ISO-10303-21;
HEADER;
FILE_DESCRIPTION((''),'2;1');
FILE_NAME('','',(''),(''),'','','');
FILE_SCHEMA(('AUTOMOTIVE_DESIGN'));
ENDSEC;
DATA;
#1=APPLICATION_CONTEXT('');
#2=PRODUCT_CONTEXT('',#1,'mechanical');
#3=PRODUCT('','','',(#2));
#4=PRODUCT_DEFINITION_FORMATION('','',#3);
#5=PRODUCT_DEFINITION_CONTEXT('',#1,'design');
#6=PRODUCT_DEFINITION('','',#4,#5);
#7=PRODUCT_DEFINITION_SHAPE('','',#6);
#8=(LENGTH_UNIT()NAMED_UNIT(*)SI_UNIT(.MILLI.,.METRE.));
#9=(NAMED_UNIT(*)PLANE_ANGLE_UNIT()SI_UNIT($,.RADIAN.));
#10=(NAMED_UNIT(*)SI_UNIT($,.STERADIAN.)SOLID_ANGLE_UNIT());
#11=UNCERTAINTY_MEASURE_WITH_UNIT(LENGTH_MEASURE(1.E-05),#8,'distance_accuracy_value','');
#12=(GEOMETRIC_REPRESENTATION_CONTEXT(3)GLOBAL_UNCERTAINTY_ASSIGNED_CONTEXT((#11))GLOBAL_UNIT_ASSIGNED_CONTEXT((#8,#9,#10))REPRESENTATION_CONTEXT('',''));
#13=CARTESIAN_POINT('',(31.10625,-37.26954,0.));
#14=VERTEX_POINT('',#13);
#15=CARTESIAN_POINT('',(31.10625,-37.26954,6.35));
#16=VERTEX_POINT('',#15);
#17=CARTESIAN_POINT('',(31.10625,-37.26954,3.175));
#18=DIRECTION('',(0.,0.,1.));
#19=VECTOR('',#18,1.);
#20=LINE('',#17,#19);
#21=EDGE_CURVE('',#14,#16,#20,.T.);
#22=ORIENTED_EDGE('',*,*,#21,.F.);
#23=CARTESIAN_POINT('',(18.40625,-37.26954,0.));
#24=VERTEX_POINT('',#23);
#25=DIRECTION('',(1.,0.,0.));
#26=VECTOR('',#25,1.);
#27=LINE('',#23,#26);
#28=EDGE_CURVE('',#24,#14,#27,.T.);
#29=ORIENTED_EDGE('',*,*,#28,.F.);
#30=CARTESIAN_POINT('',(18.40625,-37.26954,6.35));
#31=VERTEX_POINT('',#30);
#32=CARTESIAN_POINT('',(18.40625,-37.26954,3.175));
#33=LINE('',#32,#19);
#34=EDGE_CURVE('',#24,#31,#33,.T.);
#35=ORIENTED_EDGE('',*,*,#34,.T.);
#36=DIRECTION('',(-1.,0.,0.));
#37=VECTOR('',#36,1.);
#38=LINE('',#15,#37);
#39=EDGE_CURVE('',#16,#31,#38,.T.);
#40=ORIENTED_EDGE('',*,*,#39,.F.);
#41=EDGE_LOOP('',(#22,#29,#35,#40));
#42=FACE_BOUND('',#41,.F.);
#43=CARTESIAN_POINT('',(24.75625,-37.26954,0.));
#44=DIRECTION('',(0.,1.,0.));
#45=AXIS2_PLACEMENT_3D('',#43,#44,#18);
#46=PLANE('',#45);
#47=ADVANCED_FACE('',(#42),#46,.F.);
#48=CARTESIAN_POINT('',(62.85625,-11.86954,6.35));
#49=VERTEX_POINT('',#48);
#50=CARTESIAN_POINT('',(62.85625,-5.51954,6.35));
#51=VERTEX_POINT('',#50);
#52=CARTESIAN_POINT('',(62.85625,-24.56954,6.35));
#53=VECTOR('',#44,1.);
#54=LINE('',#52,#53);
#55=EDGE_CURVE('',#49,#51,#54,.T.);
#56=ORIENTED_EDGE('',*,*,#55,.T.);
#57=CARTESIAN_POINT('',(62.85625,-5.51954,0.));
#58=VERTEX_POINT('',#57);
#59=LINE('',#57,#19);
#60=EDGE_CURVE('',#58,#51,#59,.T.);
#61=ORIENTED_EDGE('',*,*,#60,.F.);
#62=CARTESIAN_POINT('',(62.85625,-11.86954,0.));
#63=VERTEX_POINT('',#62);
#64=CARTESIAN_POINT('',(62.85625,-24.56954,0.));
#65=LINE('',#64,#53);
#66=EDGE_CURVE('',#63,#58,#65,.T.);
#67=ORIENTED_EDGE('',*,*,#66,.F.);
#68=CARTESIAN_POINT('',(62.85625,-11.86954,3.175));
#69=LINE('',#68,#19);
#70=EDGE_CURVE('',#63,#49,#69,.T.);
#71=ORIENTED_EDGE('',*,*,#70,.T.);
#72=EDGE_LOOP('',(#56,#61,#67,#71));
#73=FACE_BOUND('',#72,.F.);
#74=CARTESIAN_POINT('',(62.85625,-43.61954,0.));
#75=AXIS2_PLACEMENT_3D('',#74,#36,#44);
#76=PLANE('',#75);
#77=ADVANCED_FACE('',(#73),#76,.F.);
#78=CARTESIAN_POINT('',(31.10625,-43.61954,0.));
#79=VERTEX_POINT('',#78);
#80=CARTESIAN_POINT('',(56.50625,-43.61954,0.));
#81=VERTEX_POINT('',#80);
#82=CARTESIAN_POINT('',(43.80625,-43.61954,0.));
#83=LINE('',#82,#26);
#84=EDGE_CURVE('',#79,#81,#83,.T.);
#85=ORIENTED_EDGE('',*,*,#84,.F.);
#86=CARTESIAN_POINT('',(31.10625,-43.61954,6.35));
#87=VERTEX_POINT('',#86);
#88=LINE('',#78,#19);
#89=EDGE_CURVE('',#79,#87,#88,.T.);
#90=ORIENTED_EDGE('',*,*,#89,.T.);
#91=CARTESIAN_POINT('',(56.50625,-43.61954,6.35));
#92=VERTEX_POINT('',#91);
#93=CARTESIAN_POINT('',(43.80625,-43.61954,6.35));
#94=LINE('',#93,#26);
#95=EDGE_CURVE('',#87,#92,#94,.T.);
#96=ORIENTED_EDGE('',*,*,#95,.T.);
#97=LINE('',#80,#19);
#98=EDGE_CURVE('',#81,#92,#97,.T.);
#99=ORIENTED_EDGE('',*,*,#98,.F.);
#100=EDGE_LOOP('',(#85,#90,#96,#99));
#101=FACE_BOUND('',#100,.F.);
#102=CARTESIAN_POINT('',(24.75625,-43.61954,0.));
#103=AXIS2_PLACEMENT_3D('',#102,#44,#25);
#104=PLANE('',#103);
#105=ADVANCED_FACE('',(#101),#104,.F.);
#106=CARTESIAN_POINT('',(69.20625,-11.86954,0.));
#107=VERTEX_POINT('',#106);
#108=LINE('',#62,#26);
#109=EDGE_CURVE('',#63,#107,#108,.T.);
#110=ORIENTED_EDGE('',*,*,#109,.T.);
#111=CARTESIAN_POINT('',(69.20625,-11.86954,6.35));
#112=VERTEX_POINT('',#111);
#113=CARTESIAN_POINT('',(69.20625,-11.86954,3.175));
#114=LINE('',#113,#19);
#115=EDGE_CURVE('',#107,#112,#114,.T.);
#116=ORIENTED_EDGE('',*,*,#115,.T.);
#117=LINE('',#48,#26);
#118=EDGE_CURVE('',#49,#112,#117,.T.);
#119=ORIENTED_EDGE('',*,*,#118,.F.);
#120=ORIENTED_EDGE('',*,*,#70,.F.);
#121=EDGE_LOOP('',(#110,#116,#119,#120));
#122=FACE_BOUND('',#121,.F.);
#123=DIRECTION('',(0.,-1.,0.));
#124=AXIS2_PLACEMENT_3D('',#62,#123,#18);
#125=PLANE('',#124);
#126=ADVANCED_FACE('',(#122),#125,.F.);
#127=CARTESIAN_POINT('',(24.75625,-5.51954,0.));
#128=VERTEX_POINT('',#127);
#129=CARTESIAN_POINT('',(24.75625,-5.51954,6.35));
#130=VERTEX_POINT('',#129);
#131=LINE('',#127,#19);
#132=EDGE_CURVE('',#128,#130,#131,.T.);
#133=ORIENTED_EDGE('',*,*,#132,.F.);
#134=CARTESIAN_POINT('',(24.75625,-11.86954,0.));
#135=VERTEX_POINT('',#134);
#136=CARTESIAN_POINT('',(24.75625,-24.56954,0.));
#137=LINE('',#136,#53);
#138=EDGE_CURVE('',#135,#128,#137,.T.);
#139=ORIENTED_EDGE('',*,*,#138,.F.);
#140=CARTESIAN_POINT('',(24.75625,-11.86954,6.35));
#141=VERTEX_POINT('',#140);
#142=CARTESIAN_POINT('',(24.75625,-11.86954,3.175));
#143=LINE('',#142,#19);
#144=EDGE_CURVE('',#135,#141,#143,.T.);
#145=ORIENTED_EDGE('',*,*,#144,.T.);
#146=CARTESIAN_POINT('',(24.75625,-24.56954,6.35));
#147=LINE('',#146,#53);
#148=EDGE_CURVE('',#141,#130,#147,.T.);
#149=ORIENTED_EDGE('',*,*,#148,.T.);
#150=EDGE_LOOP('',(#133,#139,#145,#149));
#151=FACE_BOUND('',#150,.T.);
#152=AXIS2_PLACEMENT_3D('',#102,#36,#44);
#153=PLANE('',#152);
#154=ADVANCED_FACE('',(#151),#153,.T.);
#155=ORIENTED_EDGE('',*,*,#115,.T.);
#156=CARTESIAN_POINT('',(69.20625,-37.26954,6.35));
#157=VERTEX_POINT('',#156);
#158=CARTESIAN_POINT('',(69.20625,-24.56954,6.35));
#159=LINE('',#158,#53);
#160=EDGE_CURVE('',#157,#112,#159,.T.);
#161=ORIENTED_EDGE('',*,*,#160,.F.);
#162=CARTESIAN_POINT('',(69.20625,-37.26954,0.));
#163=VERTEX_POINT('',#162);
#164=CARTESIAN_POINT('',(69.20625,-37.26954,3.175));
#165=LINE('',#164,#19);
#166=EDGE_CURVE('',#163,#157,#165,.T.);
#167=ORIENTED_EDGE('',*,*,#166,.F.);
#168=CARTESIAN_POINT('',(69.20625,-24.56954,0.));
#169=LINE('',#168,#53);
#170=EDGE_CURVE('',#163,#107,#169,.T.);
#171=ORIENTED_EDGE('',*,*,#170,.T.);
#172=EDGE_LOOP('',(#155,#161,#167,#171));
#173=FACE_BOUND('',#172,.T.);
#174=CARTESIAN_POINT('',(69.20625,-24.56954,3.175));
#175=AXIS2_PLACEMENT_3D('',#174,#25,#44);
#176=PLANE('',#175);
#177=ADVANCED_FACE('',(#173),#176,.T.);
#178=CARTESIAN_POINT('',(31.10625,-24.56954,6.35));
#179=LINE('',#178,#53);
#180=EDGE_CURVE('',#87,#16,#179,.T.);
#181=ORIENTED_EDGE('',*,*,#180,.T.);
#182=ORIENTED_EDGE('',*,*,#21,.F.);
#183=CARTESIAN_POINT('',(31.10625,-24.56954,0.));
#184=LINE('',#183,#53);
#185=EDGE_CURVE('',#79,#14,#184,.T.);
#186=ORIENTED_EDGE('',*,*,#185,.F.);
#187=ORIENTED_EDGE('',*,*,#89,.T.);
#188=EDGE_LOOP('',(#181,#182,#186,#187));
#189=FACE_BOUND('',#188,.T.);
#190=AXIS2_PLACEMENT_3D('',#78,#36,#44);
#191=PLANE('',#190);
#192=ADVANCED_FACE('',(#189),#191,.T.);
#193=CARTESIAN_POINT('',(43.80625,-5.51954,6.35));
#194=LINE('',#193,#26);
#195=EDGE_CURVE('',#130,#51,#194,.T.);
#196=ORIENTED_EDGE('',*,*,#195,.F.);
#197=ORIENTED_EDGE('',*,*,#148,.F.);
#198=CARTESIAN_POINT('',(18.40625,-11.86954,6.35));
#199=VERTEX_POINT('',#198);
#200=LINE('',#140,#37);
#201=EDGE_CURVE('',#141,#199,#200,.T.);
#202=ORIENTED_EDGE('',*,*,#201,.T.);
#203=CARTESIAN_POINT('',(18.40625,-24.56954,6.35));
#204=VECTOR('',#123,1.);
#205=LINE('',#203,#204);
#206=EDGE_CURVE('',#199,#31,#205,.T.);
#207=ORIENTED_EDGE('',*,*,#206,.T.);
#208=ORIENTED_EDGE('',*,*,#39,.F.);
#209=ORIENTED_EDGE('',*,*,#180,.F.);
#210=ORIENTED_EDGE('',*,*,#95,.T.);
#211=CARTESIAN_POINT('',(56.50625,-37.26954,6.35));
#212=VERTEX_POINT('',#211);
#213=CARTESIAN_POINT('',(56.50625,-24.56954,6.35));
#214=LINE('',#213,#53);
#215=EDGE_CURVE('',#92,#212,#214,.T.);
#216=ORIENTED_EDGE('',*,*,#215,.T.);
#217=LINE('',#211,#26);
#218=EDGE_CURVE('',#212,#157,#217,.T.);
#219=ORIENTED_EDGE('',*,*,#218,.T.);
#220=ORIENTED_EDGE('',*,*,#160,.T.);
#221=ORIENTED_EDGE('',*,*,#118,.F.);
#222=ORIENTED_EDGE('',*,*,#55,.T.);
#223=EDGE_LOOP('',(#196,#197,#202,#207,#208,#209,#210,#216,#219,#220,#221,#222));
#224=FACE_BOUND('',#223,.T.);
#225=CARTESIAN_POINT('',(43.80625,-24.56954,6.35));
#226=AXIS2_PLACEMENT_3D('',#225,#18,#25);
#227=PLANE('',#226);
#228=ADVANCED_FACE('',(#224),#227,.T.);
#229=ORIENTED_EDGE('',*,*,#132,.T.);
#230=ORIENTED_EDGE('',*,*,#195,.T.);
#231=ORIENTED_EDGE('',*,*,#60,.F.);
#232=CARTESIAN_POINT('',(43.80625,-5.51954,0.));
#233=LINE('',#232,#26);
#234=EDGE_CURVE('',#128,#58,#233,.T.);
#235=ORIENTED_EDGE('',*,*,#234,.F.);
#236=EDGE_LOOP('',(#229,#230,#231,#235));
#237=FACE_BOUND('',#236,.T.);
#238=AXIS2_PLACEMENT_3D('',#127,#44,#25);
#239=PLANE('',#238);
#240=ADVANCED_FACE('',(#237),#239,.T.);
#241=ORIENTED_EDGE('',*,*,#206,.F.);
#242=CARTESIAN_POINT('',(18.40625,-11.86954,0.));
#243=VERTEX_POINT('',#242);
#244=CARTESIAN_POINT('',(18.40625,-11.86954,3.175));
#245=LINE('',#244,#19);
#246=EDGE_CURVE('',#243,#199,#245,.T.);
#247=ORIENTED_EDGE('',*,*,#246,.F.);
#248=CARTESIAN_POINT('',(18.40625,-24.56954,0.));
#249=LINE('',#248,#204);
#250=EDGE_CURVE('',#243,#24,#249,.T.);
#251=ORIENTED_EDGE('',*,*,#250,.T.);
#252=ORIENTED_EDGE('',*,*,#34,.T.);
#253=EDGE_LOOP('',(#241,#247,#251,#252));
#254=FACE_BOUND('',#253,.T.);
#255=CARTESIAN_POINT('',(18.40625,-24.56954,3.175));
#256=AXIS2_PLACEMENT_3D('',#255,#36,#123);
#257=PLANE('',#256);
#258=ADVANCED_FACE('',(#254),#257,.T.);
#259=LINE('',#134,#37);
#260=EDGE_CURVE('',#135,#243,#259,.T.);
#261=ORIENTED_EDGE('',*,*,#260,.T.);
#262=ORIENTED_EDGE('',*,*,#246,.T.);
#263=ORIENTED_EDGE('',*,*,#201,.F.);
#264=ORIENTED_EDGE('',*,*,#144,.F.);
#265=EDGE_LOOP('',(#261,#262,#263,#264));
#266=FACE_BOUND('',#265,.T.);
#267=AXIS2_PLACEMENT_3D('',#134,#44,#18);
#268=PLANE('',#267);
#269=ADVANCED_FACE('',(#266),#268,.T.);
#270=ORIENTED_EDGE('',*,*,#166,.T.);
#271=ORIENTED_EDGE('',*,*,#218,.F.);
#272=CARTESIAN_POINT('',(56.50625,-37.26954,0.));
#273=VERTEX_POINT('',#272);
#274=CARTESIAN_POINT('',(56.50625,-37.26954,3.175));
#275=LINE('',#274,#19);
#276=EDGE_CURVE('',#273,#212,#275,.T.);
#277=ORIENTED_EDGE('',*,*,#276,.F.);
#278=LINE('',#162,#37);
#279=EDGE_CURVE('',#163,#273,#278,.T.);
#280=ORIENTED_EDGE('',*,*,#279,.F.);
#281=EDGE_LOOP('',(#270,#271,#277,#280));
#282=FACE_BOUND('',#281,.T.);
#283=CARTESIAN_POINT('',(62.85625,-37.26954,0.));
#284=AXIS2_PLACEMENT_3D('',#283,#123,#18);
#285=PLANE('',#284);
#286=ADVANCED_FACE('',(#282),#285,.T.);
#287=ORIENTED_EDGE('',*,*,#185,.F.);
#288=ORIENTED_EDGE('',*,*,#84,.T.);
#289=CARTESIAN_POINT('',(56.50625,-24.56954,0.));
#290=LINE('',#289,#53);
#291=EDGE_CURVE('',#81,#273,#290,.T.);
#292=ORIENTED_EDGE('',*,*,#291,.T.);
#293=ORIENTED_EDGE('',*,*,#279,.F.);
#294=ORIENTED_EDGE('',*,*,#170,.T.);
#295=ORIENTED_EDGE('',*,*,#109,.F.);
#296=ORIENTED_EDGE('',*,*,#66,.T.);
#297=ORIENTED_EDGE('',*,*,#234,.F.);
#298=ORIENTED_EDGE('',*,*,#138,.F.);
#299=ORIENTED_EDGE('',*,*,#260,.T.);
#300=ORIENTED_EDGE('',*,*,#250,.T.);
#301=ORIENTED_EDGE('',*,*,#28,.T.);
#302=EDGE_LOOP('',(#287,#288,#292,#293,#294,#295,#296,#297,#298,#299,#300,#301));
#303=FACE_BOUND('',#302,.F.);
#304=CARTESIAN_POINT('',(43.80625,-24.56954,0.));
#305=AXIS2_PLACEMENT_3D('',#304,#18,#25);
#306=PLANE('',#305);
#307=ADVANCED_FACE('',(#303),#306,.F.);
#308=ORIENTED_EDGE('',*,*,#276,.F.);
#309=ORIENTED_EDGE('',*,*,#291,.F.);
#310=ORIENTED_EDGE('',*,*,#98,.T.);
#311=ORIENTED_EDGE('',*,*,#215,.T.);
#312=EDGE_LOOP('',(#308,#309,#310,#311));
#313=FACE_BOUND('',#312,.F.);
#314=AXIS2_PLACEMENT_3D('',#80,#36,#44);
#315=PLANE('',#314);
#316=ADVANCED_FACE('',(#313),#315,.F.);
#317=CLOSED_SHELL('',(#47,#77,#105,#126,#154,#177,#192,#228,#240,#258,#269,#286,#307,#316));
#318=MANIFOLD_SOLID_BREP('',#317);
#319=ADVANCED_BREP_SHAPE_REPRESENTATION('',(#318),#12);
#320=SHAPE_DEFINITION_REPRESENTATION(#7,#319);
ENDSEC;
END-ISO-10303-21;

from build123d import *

# Parameters (mm, degrees)
F0_W     = 38.1
F0_H     = 38.1
F1_DEPTH = 6.35
F2_W     = 25.4
F2_H     = 6.35
F4_DEPTH = 6.35
F3_W     = 25.4
F3_H     = 6.35
F5_DEPTH = 6.35
F6_DEPTH = 6.35
F7_DEPTH = 6.35


with BuildPart() as f1:
    # F0 (on Top) → F1 (new body)
    with BuildSketch(Plane.XY):
        with Locations((43.8062495112, -24.5695395887)):
            Rectangle(F0_W, F0_H)
    extrude(amount=F1_DEPTH)

    # F2 (on face) → F4 (join)
    with BuildSketch(Plane.YZ.offset(62.8562495112)):
        with Locations((-24.5695395887, 3.175)):
            Rectangle(F2_W, F2_H)
    extrude(amount=F4_DEPTH)

    # F3 (on face) → F5 (join)
    with BuildSketch(Plane(origin=(24.7562495112, 0, 0), x_dir=(0, -1, 0), z_dir=(-1, 0, 0))):
        with Locations((24.5695395887, 3.175)):
            Rectangle(F3_W, F3_H)
    extrude(amount=F5_DEPTH)

    # F6 (cut): a face of the model
    f6_faces = [f1.faces().sort_by_distance(p)[0] for p in [
        (62.8562495112, -40.4445395887, 3.175),
    ]]
    extrude(f6_faces, amount=-F6_DEPTH, mode=Mode.SUBTRACT)

    # F7 (cut): a face of the model
    f7_faces = [f1.faces().sort_by_distance(p)[0] for p in [
        (24.7562495112, -40.4445395887, 3.175),
    ]]
    extrude(f7_faces, amount=-F7_DEPTH, mode=Mode.SUBTRACT)


solid = f1.part
